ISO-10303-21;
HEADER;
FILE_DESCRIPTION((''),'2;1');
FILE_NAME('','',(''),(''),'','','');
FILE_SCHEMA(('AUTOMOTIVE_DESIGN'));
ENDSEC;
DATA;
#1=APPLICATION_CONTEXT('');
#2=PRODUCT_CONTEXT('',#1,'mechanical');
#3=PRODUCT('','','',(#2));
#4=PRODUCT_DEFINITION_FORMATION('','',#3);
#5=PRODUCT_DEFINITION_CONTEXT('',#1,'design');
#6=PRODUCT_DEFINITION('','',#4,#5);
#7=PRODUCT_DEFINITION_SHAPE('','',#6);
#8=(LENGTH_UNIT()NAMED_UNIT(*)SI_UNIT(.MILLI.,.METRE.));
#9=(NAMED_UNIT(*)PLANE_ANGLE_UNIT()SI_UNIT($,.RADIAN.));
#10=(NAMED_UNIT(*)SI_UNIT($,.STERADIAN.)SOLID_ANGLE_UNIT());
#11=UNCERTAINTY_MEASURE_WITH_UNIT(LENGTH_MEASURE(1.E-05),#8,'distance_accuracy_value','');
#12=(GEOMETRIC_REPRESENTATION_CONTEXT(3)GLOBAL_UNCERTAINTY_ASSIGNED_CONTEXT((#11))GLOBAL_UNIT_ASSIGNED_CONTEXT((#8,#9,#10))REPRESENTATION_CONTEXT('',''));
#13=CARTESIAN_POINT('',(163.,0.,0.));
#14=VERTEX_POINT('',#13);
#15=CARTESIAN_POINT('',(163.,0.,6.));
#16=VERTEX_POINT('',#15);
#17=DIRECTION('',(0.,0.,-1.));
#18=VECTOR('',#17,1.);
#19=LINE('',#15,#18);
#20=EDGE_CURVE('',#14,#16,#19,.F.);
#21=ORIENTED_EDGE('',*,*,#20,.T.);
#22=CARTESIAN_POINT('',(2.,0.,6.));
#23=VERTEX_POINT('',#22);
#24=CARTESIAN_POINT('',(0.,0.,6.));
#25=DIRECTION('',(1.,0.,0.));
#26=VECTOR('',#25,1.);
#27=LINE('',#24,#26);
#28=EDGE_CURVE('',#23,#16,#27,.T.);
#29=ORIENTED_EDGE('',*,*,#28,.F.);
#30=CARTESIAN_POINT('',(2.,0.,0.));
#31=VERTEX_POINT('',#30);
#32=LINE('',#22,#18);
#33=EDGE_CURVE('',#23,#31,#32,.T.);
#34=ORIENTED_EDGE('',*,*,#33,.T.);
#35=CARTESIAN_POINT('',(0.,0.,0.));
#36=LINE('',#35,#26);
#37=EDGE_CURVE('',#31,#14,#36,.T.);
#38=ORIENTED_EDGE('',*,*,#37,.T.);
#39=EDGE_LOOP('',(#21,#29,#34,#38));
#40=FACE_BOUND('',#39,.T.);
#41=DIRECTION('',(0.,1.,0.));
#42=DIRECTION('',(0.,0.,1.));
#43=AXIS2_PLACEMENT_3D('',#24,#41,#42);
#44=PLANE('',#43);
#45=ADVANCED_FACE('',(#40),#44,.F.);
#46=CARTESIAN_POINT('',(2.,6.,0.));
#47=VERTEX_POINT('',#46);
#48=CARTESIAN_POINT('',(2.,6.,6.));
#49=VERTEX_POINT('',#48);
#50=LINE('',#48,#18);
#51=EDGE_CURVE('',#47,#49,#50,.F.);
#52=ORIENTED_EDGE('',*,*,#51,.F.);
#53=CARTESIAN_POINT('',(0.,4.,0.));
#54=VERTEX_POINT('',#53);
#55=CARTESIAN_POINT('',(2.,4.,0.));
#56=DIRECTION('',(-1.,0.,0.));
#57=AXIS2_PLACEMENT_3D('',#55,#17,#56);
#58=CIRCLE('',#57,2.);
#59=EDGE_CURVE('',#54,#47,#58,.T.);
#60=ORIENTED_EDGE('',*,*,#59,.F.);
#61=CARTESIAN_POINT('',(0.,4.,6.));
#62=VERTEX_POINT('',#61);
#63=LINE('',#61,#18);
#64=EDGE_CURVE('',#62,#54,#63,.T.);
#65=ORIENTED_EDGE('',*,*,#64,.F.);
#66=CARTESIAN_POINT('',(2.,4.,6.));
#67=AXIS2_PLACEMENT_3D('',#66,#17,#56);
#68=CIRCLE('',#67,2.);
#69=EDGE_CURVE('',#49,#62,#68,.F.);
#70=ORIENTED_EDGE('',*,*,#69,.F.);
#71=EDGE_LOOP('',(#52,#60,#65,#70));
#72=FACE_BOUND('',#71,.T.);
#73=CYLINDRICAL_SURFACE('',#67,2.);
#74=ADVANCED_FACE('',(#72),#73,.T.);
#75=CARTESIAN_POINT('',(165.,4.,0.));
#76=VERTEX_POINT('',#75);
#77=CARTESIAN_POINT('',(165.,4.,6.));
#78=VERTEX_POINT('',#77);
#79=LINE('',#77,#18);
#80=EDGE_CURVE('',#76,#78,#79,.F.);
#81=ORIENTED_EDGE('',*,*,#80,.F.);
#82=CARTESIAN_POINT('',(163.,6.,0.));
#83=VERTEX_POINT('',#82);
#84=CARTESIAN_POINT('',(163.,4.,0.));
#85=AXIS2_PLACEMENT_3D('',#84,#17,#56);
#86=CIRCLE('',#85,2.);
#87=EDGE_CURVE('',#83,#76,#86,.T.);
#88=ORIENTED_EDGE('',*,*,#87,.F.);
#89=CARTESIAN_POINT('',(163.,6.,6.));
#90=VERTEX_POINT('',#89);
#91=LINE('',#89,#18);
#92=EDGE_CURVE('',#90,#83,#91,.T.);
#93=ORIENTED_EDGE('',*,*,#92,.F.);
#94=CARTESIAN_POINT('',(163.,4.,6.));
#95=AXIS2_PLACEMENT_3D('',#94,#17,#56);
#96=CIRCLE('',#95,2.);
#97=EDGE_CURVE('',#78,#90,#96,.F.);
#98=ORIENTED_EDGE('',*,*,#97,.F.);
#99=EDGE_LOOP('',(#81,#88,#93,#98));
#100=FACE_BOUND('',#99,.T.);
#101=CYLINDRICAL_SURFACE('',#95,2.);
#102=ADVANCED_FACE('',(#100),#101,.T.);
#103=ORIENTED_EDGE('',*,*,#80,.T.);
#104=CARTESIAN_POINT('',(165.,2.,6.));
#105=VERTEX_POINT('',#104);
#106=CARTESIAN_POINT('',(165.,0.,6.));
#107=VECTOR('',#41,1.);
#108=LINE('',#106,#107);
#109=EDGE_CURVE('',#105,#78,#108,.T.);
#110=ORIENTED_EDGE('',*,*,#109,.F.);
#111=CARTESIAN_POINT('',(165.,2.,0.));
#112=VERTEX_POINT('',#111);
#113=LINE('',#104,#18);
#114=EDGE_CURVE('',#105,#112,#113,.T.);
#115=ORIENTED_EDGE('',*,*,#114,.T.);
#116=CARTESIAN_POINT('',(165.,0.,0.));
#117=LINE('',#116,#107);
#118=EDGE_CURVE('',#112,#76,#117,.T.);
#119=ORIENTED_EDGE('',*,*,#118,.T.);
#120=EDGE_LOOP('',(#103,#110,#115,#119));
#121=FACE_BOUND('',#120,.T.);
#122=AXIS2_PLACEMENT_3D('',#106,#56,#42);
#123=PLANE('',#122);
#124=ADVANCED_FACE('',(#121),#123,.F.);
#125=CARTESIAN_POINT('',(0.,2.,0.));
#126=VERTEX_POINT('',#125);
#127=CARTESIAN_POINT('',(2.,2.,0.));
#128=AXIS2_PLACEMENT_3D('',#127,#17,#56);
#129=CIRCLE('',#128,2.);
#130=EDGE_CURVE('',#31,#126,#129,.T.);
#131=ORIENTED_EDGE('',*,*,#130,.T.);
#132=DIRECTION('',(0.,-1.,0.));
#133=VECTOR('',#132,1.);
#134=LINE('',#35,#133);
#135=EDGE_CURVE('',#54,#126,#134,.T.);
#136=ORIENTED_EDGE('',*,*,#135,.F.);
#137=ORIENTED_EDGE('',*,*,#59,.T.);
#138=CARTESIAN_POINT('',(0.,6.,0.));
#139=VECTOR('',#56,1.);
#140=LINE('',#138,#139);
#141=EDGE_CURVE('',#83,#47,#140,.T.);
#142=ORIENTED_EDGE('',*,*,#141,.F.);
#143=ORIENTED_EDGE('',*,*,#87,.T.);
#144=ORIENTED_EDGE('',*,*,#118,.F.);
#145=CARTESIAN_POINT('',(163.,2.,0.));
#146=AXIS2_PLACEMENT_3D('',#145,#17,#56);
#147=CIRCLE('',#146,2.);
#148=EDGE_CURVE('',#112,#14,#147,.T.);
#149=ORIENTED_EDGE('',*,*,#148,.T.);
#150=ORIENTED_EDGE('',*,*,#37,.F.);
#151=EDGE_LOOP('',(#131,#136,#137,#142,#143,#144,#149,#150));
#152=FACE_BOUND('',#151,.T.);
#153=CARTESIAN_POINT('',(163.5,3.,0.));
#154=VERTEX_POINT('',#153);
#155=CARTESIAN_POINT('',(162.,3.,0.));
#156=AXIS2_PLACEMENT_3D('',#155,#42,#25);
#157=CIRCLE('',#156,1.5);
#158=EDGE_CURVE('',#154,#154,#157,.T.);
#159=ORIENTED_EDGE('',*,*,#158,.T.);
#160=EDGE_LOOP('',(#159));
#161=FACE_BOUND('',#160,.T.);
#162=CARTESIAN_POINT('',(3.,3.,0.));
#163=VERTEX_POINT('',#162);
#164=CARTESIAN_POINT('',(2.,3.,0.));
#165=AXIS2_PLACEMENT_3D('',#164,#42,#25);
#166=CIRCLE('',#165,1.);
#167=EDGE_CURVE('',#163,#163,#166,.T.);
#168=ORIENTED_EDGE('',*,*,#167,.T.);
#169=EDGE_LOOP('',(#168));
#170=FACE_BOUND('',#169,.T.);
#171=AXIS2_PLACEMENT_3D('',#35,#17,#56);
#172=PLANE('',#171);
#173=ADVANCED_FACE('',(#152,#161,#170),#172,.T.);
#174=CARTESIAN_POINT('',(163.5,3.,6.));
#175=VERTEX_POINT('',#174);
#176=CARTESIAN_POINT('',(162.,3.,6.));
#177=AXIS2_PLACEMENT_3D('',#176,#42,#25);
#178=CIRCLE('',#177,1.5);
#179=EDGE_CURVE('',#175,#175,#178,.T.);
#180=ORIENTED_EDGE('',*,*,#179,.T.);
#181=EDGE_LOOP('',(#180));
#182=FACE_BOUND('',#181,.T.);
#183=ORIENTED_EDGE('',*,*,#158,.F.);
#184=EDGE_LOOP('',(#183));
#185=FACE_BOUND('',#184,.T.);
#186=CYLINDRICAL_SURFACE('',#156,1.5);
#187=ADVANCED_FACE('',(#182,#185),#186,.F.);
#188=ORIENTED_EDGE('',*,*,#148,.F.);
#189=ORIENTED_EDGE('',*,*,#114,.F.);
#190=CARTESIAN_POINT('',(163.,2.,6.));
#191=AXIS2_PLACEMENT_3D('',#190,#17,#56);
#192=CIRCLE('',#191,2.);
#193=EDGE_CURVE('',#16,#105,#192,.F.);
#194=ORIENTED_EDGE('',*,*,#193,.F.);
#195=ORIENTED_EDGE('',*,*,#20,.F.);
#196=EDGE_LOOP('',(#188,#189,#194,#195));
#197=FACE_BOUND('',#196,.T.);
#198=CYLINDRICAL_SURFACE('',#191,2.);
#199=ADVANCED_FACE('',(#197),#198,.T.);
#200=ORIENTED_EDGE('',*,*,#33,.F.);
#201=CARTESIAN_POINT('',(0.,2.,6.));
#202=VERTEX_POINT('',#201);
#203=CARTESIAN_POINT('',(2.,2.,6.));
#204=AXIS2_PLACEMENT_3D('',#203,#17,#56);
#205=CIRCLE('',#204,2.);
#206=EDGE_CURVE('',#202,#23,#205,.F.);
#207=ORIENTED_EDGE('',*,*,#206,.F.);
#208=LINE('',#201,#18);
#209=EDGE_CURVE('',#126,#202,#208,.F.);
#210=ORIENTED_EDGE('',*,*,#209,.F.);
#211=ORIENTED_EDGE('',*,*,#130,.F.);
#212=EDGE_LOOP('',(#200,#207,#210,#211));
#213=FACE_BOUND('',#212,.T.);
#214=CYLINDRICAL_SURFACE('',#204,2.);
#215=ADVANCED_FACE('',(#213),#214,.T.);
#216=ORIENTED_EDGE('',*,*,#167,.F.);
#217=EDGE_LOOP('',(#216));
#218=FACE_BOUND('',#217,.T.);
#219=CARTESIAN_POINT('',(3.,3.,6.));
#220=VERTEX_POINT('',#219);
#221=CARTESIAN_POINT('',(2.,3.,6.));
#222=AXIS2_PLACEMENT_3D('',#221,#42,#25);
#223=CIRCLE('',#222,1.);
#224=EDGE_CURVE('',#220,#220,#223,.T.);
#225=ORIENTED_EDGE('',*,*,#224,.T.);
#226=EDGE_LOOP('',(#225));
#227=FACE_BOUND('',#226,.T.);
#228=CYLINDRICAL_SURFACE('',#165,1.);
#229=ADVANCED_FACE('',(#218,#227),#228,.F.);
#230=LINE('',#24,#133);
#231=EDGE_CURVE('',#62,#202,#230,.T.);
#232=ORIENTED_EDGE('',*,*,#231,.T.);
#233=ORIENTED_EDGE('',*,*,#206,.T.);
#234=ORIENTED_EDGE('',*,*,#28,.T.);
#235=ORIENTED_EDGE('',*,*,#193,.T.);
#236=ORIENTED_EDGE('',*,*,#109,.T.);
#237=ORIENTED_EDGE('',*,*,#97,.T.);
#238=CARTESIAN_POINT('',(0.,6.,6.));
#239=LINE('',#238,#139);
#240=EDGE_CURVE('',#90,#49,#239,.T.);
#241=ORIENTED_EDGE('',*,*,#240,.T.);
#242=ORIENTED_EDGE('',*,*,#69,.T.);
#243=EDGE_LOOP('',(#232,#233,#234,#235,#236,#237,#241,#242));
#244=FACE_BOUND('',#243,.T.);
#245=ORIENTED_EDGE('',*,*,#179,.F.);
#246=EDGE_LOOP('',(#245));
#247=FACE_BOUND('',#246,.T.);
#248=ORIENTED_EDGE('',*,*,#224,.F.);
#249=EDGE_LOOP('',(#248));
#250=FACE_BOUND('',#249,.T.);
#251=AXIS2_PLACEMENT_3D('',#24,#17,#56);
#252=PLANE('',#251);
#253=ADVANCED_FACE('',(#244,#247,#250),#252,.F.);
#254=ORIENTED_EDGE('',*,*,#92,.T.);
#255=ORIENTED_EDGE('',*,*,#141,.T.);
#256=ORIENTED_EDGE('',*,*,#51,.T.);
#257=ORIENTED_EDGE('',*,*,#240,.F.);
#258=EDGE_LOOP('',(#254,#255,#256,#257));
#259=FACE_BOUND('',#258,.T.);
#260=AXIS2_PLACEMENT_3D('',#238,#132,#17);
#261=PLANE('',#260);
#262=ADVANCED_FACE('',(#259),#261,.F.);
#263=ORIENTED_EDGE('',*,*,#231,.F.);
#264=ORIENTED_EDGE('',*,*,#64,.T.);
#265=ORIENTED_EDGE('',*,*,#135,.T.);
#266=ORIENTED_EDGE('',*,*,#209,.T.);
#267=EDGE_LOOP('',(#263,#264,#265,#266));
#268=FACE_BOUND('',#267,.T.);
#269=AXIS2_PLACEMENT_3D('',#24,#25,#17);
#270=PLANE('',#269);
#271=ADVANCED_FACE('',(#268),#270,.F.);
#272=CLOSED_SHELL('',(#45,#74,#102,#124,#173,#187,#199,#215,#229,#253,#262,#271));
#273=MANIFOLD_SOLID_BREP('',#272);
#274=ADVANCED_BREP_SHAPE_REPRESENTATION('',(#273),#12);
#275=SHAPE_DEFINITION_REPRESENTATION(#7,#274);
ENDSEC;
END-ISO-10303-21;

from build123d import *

# Parameters (mm, degrees)
ESQUISSE1_W             = 165
ESQUISSE1_H             = 6
BOSS_EXTRU_1_DEPTH      = 6
ESQUISSE2_R             = 1.5
ESQUISSE2_R_2           = 1
ENL_V_MAT_EXTRU_1_DEPTH = 166.218037756
CONG_1_R                = 2


with BuildPart() as part:
    # Esquisse1 → Boss.-Extru.1 (new body)
    with BuildSketch(Plane.XY):
        with Locations((82.5, 3)):
            Rectangle(ESQUISSE1_W, ESQUISSE1_H)
    extrude(amount=BOSS_EXTRU_1_DEPTH)

    # Esquisse2 → Enlèv. mat.-Extru.1 (cut, through all)
    with BuildSketch(Plane.XY.offset(6)):
        with Locations((162, 3)):
            Circle(ESQUISSE2_R)
        with Locations((2, 3)):
            Circle(ESQUISSE2_R_2)
    extrude(amount=-ENL_V_MAT_EXTRU_1_DEPTH, mode=Mode.SUBTRACT)

    # Congé1
    cong_1_edges = [part.edges().sort_by_distance(p)[0] for p in [
        (0, 6, 3),
        (165, 6, 3),
        (165, 0, 3),
        (0, 0, 3),
    ]]
    fillet(cong_1_edges, radius=CONG_1_R)


solid = part.part
